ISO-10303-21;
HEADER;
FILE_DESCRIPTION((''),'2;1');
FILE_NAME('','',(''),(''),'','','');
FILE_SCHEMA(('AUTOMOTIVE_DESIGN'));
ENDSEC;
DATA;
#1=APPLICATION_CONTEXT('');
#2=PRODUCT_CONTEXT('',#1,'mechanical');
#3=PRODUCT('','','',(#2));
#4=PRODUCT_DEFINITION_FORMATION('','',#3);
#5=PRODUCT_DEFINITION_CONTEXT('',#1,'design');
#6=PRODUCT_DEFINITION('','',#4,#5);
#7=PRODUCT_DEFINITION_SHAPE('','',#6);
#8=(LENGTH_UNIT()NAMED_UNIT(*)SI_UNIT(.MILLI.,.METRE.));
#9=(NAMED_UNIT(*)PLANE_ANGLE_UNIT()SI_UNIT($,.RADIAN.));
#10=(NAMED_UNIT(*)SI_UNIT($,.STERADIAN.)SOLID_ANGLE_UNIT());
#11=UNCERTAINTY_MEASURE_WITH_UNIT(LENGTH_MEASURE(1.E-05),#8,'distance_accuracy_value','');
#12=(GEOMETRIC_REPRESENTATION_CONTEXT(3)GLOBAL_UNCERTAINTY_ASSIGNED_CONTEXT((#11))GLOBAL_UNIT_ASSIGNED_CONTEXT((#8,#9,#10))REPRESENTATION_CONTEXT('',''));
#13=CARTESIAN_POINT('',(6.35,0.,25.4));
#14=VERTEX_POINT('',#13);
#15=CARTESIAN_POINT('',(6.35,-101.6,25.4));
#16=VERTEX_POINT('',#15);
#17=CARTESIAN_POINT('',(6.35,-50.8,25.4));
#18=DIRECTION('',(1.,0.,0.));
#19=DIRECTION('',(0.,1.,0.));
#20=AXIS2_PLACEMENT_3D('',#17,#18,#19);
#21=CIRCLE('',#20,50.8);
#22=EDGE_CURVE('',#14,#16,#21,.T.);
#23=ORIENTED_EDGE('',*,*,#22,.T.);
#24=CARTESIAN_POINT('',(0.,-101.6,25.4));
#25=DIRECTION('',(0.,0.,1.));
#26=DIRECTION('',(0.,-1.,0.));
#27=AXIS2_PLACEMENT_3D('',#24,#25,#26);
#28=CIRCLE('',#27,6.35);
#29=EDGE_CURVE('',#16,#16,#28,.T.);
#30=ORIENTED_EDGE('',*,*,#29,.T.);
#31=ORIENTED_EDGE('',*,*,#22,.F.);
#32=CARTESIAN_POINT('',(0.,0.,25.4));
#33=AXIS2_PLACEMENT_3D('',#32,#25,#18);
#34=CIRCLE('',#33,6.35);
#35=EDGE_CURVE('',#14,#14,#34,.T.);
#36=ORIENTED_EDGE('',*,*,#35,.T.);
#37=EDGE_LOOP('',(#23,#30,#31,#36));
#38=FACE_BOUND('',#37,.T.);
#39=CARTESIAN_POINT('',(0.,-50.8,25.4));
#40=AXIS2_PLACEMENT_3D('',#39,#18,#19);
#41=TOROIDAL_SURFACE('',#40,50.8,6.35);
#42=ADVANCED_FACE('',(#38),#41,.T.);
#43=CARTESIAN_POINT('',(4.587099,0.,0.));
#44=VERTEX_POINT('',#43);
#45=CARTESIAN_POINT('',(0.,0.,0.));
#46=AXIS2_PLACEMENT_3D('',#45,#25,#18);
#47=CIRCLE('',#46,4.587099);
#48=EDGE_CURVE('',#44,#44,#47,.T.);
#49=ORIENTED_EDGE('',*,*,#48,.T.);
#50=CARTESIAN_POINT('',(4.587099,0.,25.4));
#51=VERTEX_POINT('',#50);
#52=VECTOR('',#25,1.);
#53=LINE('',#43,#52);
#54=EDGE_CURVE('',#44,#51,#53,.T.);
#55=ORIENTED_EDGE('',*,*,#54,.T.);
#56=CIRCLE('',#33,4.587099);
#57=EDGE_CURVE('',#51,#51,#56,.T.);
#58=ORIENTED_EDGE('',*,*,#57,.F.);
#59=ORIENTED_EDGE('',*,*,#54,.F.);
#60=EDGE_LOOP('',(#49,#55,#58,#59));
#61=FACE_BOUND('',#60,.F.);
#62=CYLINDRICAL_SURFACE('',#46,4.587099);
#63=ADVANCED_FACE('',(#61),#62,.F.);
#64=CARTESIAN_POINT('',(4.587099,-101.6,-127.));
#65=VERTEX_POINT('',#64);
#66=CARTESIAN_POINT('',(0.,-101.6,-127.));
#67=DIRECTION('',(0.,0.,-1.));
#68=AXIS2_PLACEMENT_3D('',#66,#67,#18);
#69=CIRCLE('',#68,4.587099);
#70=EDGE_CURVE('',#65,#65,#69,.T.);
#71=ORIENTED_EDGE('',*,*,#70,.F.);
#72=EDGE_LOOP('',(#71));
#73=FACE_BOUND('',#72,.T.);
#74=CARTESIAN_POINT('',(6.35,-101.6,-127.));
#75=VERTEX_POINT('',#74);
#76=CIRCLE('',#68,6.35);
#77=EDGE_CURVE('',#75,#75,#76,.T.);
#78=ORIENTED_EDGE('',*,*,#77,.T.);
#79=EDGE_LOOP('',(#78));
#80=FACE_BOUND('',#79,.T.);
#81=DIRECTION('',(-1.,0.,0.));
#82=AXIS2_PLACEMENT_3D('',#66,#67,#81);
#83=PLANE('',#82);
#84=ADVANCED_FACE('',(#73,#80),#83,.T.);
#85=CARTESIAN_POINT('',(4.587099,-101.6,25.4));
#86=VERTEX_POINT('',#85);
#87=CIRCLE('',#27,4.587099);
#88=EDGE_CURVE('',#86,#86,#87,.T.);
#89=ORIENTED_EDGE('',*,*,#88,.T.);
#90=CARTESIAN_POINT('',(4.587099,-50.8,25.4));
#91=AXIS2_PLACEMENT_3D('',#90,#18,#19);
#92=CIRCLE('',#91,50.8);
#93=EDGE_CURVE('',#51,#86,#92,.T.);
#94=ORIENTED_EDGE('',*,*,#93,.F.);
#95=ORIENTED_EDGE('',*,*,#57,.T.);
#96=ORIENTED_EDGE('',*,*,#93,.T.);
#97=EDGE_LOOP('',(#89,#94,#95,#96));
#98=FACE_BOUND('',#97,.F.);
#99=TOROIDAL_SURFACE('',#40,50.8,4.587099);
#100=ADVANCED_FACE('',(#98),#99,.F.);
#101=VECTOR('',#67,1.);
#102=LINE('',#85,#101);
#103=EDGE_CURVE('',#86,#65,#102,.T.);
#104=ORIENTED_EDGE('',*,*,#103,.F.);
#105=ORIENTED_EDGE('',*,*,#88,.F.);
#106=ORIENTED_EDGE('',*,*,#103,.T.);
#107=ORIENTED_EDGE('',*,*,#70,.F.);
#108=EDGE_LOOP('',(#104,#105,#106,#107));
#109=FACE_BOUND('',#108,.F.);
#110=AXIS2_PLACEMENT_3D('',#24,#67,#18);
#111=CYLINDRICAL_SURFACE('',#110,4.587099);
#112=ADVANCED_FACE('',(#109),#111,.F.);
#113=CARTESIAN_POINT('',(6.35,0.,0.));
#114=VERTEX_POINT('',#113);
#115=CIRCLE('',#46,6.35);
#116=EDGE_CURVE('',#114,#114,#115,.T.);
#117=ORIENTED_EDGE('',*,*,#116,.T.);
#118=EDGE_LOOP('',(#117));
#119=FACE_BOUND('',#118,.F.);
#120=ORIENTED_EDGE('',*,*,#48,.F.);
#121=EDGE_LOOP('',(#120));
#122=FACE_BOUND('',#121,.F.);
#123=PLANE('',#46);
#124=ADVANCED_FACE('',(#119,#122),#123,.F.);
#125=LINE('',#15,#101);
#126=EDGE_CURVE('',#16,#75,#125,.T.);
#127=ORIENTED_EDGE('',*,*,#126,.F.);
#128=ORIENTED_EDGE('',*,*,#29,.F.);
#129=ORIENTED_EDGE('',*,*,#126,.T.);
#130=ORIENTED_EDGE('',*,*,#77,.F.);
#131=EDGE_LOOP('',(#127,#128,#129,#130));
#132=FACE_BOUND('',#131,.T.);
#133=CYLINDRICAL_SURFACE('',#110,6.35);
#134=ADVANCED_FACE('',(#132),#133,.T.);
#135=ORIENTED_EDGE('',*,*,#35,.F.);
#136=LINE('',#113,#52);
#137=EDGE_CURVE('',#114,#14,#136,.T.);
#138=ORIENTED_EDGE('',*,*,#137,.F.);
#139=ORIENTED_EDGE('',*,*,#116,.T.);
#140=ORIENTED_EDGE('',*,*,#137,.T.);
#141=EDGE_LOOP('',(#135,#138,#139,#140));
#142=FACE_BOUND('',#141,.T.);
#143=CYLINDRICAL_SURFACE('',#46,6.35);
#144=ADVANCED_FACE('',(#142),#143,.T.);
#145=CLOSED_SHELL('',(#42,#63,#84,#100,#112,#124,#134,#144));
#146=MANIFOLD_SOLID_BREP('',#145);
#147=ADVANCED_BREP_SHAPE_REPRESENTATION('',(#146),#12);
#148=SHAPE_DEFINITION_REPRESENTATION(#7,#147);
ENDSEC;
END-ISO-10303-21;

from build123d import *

# Parameters (mm, degrees)
F1_R   = 6.35
F1_R_2 = 4.587099


with BuildPart() as f2:
    # F2: sweep along a path in F0
    with BuildLine(Plane.YZ) as f2_path:
        Line((0, 0), (0, 25.4))
        ThreePointArc((0, 25.4), (-50.8, 76.2), (-101.6, 25.4))
        Line((-101.6, 25.4), (-101.6, -127))
    # F1 (on Top) → F2 (sweep)
    with BuildSketch(Plane.XY):
        Circle(F1_R)
        Circle(F1_R_2, mode=Mode.SUBTRACT)
    sweep(path=f2_path.line)


solid = f2.part
